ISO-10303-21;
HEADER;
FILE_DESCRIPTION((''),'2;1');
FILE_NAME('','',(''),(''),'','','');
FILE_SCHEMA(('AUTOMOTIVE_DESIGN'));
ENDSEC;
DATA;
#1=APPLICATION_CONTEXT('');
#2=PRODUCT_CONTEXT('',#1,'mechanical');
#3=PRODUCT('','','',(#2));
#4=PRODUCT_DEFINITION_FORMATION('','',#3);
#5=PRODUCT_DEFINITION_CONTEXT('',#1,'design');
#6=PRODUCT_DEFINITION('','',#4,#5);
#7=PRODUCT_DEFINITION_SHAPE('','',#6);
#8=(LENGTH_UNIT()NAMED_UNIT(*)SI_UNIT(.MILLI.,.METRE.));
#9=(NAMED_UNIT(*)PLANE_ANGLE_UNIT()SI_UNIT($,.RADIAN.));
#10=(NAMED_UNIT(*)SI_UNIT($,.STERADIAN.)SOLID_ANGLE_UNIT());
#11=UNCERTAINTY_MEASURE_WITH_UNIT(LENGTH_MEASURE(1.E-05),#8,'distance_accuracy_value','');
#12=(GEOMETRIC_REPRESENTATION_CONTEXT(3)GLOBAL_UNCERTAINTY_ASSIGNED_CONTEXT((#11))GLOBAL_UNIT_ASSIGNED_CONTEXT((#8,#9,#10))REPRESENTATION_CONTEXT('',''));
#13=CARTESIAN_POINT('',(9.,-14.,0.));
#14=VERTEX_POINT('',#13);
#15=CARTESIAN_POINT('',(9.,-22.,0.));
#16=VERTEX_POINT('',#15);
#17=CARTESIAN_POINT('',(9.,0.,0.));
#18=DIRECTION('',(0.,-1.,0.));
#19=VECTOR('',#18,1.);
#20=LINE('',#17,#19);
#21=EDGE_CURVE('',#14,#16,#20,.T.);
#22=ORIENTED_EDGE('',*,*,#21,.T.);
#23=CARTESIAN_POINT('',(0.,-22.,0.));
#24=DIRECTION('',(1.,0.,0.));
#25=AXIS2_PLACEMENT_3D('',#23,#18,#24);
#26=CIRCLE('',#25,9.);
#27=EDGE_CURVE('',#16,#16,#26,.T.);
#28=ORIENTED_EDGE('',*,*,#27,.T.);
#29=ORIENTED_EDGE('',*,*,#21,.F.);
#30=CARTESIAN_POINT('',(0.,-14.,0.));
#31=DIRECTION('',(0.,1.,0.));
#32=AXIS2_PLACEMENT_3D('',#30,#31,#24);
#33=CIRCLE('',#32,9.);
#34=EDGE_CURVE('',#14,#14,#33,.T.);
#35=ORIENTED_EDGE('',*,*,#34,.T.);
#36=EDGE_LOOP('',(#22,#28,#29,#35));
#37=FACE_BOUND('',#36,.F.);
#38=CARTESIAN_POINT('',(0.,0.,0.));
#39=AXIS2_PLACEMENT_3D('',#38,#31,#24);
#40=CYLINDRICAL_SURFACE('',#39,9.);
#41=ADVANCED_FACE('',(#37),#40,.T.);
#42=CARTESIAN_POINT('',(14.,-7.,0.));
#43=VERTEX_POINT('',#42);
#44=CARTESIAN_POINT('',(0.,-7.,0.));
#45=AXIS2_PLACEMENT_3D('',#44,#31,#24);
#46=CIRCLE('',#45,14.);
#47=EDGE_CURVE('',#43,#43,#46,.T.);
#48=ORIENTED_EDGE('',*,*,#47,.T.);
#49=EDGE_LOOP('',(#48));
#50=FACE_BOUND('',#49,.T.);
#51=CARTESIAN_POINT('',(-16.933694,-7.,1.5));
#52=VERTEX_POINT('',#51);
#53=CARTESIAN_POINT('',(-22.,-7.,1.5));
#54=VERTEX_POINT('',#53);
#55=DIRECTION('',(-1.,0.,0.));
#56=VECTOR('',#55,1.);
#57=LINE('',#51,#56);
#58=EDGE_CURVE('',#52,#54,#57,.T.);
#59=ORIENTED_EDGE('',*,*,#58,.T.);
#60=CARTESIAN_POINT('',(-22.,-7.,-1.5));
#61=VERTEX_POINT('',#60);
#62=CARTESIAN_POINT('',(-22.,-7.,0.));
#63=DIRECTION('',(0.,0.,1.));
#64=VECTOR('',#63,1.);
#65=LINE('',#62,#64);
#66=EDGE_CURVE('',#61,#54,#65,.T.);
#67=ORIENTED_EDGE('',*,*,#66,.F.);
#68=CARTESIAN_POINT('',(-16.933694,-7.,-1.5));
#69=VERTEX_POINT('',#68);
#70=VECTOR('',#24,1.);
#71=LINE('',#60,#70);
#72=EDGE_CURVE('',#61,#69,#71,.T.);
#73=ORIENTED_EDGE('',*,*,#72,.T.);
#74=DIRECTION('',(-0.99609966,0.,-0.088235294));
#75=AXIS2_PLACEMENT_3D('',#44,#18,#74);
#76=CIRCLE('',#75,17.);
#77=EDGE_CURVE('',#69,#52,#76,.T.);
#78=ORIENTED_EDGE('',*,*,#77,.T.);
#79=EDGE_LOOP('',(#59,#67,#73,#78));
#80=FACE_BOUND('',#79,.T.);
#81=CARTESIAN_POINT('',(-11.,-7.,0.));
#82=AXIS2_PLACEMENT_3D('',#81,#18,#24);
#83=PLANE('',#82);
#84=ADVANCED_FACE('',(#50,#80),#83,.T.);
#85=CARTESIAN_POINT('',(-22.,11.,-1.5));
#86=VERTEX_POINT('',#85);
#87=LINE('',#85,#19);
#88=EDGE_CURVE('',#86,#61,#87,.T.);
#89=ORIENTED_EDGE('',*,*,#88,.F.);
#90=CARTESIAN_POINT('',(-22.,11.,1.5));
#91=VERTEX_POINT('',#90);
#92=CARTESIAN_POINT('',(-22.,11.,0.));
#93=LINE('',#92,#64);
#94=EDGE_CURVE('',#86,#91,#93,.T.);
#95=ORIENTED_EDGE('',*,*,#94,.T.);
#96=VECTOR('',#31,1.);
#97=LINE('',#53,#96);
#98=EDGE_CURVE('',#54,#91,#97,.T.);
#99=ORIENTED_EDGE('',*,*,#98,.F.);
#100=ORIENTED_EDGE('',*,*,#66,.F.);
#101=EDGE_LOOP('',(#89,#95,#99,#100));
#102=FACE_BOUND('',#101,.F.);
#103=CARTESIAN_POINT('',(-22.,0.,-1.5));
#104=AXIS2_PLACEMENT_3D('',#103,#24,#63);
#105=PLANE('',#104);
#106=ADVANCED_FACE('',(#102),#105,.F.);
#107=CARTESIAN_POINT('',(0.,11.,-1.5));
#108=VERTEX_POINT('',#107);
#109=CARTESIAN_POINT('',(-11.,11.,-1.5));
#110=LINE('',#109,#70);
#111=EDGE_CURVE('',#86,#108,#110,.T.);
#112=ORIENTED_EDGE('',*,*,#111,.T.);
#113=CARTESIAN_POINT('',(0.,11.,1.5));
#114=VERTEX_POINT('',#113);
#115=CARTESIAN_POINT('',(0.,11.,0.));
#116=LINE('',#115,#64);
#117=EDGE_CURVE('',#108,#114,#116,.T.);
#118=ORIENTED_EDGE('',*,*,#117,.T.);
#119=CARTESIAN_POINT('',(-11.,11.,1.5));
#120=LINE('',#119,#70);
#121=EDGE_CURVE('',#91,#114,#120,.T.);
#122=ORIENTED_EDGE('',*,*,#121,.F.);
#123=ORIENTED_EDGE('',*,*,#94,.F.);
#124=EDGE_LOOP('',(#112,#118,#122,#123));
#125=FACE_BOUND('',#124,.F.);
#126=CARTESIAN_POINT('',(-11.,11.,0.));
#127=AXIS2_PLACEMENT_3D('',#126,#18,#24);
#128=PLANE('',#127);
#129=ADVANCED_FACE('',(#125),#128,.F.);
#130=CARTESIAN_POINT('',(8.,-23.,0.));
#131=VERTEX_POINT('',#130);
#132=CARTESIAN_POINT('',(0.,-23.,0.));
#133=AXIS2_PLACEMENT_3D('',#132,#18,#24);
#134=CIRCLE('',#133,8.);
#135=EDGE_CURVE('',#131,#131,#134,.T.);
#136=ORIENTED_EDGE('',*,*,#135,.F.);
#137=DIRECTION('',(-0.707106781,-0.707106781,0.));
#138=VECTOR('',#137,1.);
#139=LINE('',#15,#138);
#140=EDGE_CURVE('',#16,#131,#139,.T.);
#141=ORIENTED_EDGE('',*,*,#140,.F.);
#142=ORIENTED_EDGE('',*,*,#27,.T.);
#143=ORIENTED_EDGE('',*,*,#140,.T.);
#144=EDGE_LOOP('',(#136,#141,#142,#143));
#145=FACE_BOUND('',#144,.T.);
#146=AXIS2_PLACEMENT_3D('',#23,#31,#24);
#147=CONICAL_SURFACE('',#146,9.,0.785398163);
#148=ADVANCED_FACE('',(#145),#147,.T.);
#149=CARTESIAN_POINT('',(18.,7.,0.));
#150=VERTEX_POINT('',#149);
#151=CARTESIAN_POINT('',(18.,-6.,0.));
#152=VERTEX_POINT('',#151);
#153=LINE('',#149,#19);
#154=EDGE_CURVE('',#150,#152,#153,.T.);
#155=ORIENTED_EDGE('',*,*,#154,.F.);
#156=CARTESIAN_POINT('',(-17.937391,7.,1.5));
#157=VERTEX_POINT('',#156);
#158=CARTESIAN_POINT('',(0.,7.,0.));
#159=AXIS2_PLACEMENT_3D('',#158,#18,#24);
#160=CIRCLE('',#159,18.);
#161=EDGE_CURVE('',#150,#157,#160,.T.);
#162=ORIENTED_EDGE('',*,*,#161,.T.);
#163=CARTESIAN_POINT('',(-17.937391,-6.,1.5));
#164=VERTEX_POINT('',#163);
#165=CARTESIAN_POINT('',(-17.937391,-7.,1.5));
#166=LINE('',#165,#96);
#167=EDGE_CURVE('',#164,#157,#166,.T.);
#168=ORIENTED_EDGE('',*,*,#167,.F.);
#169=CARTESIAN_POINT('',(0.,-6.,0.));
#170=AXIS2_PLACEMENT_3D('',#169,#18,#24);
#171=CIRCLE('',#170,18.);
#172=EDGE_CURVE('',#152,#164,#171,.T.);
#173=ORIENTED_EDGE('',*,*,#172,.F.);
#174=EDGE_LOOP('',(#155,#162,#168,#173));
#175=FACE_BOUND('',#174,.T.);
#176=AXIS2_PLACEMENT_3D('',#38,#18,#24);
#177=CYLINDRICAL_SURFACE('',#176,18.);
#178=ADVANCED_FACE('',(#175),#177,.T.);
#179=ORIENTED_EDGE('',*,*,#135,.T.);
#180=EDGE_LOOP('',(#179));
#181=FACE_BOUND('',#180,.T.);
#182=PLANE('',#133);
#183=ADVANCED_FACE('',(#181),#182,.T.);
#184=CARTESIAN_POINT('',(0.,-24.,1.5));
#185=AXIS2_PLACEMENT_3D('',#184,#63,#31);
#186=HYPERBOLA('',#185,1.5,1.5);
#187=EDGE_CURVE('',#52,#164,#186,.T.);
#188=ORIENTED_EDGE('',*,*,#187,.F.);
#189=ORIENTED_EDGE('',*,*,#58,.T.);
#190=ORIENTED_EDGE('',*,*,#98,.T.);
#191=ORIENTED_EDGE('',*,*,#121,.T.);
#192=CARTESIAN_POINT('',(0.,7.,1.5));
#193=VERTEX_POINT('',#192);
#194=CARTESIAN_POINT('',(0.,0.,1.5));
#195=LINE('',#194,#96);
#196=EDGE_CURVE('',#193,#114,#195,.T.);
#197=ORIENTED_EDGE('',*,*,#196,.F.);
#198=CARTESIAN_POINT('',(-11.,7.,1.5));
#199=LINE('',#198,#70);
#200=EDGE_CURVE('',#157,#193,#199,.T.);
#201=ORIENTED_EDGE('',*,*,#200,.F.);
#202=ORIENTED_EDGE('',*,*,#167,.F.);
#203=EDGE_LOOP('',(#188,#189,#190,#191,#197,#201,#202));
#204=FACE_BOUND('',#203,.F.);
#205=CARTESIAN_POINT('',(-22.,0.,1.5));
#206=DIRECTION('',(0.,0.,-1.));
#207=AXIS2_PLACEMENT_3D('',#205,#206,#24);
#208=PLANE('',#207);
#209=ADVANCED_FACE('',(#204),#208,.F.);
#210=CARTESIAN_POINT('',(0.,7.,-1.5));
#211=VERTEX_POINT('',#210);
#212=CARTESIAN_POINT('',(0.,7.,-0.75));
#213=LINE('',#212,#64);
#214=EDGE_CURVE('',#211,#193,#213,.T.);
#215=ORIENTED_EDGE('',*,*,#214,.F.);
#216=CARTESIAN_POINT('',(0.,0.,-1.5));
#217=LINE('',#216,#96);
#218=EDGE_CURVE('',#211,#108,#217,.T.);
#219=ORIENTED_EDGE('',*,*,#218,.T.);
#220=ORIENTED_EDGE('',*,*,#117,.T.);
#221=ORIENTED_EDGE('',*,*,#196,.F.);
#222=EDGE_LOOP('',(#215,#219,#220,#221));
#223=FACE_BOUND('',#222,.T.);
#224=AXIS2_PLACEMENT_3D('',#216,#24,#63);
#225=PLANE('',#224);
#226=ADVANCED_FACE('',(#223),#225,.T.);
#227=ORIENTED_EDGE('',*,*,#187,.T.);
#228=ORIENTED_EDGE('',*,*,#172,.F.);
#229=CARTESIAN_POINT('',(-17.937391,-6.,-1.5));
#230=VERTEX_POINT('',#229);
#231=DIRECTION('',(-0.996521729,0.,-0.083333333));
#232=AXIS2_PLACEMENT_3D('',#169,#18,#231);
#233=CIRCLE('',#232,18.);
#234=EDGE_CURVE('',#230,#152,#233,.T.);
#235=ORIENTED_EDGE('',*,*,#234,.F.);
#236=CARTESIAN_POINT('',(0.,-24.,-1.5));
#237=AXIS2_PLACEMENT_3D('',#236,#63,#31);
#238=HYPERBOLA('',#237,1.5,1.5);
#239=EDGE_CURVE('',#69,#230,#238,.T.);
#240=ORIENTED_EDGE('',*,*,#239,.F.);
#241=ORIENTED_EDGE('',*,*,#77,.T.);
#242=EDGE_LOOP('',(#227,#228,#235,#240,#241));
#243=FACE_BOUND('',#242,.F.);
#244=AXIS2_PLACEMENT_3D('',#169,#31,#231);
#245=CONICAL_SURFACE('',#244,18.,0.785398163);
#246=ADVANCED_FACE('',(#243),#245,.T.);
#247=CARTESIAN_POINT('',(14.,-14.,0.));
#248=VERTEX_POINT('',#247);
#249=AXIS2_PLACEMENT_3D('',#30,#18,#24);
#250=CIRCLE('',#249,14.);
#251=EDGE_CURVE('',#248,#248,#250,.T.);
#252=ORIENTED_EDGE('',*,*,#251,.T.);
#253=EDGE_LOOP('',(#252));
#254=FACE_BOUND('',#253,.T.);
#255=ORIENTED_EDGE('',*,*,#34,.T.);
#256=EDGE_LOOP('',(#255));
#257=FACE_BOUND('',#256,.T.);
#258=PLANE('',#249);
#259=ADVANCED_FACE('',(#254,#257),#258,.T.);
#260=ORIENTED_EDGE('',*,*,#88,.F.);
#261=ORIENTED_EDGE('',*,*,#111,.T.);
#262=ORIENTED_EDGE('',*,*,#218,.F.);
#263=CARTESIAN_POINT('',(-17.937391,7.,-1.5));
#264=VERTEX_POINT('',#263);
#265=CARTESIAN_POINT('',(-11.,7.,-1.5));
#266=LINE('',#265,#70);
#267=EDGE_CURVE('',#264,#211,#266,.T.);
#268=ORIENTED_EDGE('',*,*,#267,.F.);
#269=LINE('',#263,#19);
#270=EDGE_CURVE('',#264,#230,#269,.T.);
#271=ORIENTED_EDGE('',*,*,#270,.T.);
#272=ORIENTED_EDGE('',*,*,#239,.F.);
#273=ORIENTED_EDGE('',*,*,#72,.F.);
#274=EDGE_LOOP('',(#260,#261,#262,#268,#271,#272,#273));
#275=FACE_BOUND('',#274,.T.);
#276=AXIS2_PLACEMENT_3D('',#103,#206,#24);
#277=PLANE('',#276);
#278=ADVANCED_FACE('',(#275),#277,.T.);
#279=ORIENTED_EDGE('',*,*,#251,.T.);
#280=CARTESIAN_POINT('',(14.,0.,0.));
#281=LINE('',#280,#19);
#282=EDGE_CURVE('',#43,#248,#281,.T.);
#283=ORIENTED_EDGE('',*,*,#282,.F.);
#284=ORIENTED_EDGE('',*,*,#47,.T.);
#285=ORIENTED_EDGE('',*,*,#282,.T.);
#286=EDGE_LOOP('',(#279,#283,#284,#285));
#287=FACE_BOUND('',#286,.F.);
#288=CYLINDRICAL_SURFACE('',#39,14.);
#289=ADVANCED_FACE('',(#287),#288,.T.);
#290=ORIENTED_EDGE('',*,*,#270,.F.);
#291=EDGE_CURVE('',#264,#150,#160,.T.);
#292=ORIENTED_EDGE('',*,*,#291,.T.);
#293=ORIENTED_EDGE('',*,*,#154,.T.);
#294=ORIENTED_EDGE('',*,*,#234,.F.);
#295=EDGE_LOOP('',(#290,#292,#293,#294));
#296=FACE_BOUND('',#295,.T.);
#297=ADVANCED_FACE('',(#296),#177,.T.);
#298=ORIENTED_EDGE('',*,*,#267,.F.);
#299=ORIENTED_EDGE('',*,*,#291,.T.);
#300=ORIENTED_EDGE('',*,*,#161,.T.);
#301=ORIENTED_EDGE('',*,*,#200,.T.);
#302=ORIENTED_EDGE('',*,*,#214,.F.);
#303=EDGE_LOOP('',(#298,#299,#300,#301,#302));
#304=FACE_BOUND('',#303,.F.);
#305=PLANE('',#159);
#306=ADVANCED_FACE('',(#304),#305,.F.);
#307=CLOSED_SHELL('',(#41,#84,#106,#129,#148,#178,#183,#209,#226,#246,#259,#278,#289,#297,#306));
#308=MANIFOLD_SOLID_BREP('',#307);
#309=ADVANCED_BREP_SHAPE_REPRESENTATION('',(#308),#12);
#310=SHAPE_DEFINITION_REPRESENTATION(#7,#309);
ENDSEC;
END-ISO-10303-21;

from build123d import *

# Parameters (mm, degrees)
F0_R          = 18
F1_DEPTH      = 7
F2_R          = 14
F3_DEPTH      = 14
F4_R          = 9
F5_DEPTH      = 23
F6_W          = 22
F6_H          = 3
F7_DEPTH      = 7
F7_DEPTH_BACK = 11
F8_SIZE       = 1
F9_SIZE       = 1


with BuildPart() as f1:
    # F0 (on Front) → F1 (new body, symmetric)
    with BuildSketch(Plane.XZ):
        Circle(F0_R)
    extrude(amount=F1_DEPTH, both=True)

    # F2 (on Front) → F3 (join)
    with BuildSketch(Plane.XZ):
        Circle(F2_R)
    extrude(amount=F3_DEPTH)

    # F4 (on Front) → F5 (join)
    with BuildSketch(Plane.XZ):
        Circle(F4_R)
    extrude(amount=F5_DEPTH)

    # F6 (on Front) → F7 (join, two sides)
    with BuildSketch(Plane.XZ) as f7_sk:
        with Locations((-11, 0)):
            Rectangle(F6_W, F6_H)
    extrude(amount=F7_DEPTH)
    extrude(f7_sk.sketch, amount=-F7_DEPTH_BACK)

    # F8
    f8_edges = [f1.edges().sort_by_distance(p)[0] for p in [
        (-9, -23, 0),
    ]]
    chamfer(f8_edges, length=F8_SIZE)

    # F9
    f9_edges = [f1.edges().sort_by_distance(p)[0] for p in [
        (0.750653, -7, -17.984341),
        (0.750653, -7, 17.984341),
    ]]
    chamfer(f9_edges, length=F9_SIZE)


solid = f1.part
